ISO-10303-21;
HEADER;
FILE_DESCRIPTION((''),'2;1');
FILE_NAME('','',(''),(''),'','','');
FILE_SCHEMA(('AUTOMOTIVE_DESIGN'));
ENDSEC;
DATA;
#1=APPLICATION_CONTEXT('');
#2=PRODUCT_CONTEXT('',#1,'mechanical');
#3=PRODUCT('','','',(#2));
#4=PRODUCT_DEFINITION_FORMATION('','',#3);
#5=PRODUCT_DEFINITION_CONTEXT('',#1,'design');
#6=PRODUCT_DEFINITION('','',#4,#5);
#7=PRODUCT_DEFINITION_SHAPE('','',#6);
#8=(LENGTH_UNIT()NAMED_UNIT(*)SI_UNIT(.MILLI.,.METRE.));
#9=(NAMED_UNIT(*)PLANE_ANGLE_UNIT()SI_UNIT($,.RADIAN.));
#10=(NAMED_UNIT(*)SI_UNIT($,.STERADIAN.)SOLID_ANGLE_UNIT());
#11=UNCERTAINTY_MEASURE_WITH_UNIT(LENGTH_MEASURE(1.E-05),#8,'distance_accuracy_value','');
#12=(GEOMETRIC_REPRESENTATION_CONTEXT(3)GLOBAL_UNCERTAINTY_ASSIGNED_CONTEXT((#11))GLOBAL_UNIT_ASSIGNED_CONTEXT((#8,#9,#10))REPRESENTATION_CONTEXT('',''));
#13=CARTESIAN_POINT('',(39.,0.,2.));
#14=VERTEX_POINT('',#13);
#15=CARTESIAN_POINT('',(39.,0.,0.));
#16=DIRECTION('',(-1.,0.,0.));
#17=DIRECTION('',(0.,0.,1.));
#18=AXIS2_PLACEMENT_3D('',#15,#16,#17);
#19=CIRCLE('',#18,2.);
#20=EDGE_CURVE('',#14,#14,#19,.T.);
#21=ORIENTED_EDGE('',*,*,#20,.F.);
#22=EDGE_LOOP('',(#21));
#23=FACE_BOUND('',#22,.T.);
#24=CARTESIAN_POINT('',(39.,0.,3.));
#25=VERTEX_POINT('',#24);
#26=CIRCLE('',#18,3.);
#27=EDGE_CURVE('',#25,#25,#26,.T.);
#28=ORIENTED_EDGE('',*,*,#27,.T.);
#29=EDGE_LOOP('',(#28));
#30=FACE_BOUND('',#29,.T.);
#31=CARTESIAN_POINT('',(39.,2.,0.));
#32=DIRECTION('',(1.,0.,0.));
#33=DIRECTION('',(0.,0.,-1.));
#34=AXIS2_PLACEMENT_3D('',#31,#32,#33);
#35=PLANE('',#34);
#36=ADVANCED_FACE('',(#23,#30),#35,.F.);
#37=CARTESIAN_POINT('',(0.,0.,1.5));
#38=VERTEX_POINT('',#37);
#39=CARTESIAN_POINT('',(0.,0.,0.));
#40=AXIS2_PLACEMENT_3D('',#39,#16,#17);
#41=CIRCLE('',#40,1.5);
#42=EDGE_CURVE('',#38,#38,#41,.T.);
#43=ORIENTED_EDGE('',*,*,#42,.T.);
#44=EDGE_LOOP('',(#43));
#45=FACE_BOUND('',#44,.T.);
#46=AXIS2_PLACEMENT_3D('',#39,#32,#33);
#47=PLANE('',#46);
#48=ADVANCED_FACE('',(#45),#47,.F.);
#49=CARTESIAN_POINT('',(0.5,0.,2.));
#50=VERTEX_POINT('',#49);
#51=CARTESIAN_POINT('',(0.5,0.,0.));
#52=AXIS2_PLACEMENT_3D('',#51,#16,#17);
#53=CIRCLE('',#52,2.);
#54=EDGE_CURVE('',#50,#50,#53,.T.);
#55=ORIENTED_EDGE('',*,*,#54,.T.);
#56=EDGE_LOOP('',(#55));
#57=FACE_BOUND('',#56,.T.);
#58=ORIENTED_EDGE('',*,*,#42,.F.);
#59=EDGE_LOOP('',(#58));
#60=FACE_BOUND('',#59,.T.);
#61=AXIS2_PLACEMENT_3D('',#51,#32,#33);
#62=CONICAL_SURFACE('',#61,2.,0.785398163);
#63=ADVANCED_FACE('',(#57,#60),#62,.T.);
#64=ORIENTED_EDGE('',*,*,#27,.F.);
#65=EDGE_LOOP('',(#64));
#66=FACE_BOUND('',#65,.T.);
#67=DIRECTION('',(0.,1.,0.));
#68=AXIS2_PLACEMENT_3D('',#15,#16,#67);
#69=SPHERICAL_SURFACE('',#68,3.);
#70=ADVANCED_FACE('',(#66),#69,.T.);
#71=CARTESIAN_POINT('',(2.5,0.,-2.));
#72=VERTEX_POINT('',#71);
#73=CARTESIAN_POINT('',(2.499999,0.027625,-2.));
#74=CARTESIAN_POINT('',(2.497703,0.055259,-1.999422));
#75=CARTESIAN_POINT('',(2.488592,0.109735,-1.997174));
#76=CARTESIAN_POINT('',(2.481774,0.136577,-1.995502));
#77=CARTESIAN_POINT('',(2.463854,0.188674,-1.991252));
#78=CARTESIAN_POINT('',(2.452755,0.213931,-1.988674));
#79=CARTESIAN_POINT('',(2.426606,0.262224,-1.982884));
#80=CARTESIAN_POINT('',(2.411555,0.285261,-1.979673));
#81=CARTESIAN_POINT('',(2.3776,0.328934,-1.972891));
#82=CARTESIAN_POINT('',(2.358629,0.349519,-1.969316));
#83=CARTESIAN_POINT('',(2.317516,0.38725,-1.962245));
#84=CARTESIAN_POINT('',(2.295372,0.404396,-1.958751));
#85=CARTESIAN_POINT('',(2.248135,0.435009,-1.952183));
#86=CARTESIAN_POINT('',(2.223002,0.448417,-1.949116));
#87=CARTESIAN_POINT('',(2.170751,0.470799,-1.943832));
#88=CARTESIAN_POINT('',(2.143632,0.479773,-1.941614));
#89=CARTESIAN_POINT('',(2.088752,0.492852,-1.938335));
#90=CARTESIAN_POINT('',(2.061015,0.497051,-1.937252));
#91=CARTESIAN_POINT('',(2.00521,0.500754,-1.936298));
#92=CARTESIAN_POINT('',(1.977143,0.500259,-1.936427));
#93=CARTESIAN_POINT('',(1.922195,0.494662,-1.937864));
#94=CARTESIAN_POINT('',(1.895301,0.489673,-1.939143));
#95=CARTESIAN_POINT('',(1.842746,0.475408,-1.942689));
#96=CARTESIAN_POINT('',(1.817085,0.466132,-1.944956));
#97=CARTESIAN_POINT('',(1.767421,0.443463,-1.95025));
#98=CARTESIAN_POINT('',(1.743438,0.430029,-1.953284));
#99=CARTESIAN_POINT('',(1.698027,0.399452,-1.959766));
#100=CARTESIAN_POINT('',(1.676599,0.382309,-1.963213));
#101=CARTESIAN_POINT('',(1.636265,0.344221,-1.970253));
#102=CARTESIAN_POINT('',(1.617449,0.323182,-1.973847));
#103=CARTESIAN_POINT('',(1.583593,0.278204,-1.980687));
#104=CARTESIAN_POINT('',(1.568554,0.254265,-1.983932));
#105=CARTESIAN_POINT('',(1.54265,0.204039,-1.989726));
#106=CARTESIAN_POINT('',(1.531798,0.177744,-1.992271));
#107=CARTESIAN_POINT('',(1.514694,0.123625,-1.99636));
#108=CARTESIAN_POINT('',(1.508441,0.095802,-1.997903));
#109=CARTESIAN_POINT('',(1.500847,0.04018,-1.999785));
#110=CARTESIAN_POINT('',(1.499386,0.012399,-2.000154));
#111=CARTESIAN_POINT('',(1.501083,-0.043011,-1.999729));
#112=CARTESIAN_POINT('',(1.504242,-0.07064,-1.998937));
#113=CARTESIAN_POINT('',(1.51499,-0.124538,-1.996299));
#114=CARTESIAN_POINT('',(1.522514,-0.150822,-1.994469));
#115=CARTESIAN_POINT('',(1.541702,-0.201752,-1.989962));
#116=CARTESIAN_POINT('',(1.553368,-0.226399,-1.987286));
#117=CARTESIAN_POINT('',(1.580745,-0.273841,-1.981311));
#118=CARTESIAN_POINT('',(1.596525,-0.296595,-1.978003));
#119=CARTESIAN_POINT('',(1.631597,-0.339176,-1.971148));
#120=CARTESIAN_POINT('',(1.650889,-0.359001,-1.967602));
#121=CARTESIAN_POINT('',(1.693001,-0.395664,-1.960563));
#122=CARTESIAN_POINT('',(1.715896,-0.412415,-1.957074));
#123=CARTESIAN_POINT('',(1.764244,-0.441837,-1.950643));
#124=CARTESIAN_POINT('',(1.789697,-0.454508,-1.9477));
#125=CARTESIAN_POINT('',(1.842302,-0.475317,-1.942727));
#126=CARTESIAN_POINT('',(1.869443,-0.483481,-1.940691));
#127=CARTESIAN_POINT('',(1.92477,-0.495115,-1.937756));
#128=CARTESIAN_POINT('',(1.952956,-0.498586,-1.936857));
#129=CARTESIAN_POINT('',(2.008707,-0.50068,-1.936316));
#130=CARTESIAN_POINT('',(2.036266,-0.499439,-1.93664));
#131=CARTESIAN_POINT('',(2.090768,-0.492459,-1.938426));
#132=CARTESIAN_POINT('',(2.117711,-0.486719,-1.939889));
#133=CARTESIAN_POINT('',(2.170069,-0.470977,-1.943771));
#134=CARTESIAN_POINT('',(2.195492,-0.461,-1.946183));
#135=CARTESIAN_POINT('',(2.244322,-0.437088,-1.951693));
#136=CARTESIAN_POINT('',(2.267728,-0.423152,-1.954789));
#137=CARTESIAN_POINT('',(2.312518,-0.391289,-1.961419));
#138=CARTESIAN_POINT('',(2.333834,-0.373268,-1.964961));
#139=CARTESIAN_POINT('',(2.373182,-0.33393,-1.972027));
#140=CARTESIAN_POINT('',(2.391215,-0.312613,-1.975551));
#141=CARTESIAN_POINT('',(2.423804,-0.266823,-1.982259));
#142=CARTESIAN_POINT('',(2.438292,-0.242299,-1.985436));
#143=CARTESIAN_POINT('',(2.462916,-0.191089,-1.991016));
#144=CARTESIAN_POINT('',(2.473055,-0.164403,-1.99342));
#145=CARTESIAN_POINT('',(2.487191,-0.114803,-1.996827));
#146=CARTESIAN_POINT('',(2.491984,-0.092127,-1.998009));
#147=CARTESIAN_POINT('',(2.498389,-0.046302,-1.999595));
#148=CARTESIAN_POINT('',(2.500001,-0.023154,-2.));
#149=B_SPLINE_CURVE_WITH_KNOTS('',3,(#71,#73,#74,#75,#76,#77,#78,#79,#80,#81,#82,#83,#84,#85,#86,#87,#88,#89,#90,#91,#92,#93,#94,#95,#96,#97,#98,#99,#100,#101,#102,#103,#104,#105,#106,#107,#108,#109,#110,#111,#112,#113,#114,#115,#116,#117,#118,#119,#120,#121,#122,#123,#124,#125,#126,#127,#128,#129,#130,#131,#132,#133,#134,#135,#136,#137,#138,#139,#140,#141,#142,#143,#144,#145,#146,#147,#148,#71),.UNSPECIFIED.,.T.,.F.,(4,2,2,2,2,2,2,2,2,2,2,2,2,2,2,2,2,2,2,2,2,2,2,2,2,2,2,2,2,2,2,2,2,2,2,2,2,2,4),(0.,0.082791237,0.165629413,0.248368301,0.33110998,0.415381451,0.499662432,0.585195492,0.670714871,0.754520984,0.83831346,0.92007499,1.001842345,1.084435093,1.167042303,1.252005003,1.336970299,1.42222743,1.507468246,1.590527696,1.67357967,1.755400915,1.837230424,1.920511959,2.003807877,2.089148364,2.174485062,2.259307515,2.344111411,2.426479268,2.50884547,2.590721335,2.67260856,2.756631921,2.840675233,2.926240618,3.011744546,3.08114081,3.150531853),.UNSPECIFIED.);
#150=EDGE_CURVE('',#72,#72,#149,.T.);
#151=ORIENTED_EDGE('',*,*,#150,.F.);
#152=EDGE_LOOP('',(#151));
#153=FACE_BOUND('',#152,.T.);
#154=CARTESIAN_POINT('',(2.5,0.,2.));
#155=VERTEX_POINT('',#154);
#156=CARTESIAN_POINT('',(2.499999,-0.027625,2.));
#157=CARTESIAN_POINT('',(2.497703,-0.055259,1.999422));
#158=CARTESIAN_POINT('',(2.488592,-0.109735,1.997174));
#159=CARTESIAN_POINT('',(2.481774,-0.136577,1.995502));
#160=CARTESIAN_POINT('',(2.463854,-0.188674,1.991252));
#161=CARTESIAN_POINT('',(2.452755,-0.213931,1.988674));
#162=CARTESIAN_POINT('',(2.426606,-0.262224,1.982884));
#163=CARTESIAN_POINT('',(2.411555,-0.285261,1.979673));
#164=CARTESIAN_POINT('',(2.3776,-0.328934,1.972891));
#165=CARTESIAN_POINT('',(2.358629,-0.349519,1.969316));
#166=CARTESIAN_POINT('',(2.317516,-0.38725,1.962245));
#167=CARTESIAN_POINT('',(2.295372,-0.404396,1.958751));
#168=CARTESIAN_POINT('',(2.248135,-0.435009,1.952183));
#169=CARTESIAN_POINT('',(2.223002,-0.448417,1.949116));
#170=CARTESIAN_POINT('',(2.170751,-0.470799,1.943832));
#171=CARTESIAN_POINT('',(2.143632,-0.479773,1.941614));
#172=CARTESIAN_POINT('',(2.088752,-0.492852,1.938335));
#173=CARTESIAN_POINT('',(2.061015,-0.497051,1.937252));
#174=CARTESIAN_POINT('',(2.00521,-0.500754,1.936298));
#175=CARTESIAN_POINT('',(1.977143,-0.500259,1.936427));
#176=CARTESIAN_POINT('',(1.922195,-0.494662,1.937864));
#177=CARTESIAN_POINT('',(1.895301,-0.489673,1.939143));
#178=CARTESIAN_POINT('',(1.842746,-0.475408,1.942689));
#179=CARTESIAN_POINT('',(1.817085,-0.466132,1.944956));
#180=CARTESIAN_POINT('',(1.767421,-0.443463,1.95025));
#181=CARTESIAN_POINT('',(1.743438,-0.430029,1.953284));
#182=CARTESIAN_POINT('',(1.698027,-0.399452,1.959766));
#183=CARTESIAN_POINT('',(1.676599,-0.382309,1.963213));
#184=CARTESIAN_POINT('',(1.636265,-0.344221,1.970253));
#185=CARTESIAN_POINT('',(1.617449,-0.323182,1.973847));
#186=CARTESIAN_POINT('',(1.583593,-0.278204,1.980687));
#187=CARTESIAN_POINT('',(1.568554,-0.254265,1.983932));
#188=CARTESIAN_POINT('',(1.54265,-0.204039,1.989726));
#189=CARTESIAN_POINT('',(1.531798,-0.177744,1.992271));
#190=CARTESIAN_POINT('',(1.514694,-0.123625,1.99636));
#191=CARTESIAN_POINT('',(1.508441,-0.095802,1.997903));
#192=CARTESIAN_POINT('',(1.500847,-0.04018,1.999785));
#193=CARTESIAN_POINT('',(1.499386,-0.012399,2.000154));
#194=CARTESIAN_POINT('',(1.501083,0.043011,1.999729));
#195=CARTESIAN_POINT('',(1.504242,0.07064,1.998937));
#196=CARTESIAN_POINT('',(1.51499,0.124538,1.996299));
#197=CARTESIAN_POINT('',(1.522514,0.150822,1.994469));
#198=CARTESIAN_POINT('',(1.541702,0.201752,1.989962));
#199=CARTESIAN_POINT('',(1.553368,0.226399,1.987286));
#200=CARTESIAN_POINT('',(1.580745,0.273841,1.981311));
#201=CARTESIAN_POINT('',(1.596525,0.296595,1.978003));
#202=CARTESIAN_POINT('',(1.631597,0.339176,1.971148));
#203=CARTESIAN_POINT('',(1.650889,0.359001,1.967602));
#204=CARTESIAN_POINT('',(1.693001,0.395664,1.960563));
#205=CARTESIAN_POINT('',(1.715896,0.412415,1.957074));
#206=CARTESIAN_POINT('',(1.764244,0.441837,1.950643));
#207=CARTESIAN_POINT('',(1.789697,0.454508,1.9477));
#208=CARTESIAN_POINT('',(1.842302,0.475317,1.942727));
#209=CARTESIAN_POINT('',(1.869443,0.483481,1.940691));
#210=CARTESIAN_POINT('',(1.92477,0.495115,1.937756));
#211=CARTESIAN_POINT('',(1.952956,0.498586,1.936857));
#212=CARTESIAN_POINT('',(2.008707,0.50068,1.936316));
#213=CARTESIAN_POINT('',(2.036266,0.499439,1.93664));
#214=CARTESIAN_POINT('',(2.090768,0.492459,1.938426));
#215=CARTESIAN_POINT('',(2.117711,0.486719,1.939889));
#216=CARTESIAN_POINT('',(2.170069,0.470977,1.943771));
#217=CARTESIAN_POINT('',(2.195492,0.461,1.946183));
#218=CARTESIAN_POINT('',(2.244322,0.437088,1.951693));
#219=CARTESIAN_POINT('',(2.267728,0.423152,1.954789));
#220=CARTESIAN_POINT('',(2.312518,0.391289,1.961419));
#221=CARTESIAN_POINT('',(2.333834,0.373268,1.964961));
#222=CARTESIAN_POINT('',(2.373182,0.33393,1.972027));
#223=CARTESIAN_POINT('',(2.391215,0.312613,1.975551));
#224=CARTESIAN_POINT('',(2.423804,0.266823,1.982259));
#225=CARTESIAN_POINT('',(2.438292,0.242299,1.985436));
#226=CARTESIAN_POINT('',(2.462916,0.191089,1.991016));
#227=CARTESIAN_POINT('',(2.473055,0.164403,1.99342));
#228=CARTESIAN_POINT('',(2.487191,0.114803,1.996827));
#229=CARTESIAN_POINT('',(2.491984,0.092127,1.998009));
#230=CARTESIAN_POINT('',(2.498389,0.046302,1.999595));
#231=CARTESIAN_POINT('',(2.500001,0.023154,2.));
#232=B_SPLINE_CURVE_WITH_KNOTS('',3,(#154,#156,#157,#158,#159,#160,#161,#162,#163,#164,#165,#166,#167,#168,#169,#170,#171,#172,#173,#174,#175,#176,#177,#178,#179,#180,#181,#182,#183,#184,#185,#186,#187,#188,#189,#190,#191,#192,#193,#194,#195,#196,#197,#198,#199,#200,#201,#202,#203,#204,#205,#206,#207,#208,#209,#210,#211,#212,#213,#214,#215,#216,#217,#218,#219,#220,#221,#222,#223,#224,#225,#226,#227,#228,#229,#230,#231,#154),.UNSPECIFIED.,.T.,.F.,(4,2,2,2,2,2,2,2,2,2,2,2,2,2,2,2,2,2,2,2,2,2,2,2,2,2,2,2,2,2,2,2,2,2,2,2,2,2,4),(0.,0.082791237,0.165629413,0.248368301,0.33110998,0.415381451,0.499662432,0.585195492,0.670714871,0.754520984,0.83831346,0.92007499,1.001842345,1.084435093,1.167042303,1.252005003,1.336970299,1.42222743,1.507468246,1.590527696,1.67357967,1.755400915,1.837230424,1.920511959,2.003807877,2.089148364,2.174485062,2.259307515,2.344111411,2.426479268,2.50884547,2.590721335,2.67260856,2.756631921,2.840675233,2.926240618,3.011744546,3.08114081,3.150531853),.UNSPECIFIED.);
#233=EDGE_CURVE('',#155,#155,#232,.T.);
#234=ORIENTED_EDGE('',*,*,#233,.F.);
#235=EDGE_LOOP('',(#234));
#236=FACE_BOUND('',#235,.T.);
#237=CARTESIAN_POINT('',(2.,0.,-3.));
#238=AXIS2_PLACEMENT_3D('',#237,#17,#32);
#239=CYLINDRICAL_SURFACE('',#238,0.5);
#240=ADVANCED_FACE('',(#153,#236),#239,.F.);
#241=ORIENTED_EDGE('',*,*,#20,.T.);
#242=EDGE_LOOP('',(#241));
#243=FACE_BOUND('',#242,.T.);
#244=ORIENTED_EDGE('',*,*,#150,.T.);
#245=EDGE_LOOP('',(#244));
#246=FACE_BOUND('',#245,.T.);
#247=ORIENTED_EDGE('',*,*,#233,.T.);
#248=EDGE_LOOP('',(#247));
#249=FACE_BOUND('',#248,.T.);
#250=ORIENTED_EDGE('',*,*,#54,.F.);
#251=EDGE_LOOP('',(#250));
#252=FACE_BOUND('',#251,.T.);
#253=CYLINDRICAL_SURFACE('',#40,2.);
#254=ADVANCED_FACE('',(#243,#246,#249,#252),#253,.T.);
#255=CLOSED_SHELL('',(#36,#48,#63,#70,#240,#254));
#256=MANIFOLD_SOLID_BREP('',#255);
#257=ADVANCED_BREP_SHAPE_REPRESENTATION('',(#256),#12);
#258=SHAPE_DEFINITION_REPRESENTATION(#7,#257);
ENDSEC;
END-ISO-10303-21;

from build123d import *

# Parameters (mm, degrees)
SKETCH2_R               = 0.5
CUT_EXTRUDE1_DEPTH      = 4
CUT_EXTRUDE1_DEPTH_BACK = 4


with BuildPart() as part:
    # Sketch1 → Revolve1 (revolve)
    with BuildSketch(Plane.XY):
        with BuildLine():
            Line((0, 0), (0, 1.5))
            Line((0, 1.5), (0.5, 2))
            Line((0.5, 2), (39, 2))
            Line((39, 2), (39, 3))
            ThreePointArc((39, 3), (41.121320344, 2.121320344), (42, 0))
            Line((42, 0), (0, 0))
        make_face()
    revolve(axis=Axis((0, 0, 0), (1, 0, 0)))

    # Sketch2 → Cut-Extrude1 (cut, two sides)
    with BuildSketch(Plane.XY) as cut_extrude1_sk:
        with Locations((2, 0)):
            Circle(SKETCH2_R)
    extrude(amount=CUT_EXTRUDE1_DEPTH, mode=Mode.SUBTRACT)
    extrude(cut_extrude1_sk.sketch, amount=-CUT_EXTRUDE1_DEPTH_BACK, mode=Mode.SUBTRACT)


solid = part.part
